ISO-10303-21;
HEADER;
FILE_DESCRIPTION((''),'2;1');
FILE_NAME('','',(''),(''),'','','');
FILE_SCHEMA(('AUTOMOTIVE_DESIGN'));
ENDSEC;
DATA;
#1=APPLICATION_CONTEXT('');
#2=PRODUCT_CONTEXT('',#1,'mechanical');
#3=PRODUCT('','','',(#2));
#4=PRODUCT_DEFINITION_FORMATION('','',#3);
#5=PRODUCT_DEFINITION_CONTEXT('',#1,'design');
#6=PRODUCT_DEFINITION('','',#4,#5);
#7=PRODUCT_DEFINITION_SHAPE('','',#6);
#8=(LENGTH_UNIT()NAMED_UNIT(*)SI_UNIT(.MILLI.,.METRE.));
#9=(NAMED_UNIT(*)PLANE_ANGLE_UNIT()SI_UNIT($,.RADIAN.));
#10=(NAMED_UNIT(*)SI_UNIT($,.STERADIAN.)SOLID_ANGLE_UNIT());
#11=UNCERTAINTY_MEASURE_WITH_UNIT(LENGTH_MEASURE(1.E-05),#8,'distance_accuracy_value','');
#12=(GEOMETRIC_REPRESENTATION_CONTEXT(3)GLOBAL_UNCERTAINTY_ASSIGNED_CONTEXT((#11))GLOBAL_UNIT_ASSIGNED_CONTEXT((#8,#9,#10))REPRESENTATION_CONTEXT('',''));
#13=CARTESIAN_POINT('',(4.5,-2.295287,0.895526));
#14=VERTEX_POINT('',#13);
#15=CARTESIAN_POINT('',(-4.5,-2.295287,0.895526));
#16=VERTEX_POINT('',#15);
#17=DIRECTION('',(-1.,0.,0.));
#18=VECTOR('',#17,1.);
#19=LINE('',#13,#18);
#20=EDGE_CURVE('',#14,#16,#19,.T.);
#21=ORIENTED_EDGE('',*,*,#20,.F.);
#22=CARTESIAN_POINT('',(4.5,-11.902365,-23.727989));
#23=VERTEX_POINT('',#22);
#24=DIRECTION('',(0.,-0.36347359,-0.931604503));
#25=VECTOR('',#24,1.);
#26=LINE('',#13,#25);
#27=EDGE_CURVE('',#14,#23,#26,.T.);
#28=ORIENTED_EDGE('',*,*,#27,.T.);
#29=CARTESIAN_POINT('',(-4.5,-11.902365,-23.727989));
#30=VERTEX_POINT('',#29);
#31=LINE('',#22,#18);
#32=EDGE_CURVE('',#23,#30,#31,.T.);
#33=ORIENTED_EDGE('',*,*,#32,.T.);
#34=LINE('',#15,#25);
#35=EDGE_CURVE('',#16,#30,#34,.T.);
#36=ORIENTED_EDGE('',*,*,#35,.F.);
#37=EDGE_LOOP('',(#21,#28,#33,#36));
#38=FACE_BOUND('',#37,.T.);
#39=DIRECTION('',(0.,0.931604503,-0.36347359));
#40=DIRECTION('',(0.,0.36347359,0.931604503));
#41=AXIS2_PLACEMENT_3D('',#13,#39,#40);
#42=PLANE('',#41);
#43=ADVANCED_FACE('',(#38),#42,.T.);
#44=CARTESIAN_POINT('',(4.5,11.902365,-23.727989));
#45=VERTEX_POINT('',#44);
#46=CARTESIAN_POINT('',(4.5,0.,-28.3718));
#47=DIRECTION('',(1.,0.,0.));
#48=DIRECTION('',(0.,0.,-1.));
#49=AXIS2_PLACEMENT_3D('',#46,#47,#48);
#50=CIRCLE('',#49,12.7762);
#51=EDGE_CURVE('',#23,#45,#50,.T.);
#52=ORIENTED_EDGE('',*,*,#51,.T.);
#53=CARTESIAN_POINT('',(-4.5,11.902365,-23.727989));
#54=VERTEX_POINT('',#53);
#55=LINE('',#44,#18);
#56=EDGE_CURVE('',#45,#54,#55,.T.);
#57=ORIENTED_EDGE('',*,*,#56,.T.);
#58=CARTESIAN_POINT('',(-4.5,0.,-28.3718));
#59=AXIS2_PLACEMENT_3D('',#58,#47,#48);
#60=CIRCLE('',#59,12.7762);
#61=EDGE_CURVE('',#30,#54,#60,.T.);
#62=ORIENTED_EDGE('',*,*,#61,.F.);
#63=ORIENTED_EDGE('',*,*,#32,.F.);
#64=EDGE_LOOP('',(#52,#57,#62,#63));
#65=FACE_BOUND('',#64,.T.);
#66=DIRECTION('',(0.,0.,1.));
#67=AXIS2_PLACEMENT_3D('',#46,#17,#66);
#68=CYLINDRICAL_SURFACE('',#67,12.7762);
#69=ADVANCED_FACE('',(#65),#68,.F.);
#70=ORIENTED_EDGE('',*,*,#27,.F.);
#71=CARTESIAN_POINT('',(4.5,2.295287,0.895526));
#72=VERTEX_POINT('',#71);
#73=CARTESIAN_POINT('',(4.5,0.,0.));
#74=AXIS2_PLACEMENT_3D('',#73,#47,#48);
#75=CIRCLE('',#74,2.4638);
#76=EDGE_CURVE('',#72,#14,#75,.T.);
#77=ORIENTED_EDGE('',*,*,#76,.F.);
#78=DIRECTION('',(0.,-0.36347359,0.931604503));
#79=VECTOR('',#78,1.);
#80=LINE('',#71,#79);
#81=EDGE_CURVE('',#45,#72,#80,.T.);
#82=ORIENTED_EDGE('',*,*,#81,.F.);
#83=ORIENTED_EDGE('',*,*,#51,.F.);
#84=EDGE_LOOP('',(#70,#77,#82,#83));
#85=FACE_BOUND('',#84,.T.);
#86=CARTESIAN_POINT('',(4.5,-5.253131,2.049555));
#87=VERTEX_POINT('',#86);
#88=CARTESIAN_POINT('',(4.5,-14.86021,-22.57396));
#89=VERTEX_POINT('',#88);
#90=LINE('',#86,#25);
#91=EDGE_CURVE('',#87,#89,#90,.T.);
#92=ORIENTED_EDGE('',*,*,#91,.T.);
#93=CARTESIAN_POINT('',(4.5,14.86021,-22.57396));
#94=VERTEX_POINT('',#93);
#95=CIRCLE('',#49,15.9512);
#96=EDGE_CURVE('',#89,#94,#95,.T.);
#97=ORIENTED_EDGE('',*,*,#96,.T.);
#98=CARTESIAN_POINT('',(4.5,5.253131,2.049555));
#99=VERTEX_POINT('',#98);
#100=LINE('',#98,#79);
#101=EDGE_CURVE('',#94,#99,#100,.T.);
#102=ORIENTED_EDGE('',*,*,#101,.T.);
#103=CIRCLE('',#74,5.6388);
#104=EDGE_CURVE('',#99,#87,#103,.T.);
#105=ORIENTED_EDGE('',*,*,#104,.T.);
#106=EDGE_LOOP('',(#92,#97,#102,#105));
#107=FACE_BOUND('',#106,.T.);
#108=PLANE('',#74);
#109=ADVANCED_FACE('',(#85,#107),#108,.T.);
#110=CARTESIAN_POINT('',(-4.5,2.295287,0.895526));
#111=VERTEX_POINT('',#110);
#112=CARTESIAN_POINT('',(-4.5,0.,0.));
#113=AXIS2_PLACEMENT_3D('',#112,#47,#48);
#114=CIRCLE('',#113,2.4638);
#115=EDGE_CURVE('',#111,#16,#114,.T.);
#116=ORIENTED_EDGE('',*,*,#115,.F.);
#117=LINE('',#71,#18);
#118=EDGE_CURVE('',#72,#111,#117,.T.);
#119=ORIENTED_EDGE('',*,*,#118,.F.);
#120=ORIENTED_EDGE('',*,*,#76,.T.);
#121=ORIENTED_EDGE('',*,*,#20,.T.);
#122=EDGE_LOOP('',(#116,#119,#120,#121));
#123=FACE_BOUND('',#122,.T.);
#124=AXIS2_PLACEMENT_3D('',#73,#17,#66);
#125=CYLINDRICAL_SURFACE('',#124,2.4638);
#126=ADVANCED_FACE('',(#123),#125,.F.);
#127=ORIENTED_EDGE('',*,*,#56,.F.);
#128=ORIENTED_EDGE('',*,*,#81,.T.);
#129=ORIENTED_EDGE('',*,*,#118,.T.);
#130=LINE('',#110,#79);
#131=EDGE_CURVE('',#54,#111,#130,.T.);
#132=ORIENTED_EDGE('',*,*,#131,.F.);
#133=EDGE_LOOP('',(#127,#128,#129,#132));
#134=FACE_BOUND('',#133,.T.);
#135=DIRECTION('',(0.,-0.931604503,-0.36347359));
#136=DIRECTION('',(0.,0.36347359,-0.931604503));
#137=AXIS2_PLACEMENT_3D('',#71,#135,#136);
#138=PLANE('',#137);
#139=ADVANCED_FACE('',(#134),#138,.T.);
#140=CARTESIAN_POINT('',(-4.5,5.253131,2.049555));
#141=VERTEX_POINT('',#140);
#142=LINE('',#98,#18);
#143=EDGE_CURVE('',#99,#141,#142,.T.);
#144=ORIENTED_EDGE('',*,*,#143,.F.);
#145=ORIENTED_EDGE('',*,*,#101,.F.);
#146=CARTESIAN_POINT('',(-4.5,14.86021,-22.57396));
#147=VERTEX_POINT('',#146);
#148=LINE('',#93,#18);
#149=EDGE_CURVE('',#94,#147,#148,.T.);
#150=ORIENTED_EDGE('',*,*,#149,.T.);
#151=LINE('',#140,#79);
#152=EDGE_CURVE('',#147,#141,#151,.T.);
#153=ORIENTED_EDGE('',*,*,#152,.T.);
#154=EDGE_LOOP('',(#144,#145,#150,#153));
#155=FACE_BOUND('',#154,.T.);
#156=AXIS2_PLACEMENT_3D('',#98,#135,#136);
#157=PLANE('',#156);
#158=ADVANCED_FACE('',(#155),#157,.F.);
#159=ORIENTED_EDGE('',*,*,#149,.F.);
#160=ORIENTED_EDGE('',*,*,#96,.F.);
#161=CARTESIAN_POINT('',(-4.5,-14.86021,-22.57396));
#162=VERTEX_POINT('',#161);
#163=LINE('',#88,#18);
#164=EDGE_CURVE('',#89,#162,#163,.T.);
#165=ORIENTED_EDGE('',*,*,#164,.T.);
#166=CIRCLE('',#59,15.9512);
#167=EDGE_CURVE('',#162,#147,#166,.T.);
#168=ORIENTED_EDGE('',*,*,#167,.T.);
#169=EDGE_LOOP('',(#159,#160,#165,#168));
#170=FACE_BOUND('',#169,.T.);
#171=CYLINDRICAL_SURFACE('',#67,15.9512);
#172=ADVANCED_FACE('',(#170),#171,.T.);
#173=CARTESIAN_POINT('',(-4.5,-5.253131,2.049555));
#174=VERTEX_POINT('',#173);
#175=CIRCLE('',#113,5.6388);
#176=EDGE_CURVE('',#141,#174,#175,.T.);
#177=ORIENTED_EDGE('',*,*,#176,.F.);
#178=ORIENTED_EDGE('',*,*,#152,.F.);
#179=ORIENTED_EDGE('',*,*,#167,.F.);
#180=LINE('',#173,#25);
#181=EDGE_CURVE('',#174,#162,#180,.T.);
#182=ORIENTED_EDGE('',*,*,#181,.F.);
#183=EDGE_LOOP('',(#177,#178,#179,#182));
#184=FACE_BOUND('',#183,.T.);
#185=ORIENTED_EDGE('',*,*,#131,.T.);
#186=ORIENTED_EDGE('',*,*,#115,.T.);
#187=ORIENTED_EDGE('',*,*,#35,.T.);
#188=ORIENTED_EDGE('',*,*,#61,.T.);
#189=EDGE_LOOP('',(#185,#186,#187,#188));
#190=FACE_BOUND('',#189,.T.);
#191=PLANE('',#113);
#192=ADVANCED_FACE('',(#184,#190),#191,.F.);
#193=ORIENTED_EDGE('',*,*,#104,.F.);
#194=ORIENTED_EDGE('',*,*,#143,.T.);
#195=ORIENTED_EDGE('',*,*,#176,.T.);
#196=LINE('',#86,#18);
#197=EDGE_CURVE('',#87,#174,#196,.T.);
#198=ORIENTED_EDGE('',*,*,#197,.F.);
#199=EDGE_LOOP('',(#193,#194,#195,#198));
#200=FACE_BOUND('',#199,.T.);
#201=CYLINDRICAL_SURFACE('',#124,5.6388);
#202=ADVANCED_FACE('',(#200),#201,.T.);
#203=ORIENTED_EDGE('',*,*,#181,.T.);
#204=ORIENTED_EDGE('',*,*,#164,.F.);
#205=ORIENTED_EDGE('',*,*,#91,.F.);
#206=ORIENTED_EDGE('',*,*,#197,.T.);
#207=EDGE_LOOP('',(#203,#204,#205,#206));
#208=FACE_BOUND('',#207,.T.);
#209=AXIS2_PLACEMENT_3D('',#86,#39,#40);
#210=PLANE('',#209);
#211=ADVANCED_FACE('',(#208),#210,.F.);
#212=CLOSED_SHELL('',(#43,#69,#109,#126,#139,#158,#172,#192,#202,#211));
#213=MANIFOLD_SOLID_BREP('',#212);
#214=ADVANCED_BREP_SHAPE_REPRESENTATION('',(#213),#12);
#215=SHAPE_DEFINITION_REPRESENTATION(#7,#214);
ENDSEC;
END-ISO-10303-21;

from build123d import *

# Parameters (mm, degrees)
BOSS_EXTRUDE1_DEPTH = 4.5


with BuildPart() as part:
    # Sketch1 → Boss-Extrude1 (new body, symmetric)
    with BuildSketch(Plane(origin=(0, 0, 0), x_dir=(0, 0, -1), z_dir=(1, 0, 0))):
        with BuildLine():
            Line((-2.049554879, 5.25313147), (22.573960072, 14.860209743))
            ThreePointArc((22.573960072, 14.860209743), (44.323, 0), (22.573960072, -14.860209743))
            Line((22.573960072, -14.860209743), (-2.049554879, -5.25313147))
            ThreePointArc((-2.049554879, -5.25313147), (-5.6388, 0), (-2.049554879, 5.25313147))
        make_face()
        with BuildLine():
            Line((-0.895526231, 2.295287174), (23.72798872, 11.902365447))
            ThreePointArc((23.72798872, 11.902365447), (41.148, 0), (23.72798872, -11.902365447))
            Line((23.72798872, -11.902365447), (-0.895526231, -2.295287174))
            ThreePointArc((-0.895526231, -2.295287174), (-2.4638, 0), (-0.895526231, 2.295287174))
        make_face(mode=Mode.SUBTRACT)
    extrude(amount=BOSS_EXTRUDE1_DEPTH, both=True)


solid = part.part
